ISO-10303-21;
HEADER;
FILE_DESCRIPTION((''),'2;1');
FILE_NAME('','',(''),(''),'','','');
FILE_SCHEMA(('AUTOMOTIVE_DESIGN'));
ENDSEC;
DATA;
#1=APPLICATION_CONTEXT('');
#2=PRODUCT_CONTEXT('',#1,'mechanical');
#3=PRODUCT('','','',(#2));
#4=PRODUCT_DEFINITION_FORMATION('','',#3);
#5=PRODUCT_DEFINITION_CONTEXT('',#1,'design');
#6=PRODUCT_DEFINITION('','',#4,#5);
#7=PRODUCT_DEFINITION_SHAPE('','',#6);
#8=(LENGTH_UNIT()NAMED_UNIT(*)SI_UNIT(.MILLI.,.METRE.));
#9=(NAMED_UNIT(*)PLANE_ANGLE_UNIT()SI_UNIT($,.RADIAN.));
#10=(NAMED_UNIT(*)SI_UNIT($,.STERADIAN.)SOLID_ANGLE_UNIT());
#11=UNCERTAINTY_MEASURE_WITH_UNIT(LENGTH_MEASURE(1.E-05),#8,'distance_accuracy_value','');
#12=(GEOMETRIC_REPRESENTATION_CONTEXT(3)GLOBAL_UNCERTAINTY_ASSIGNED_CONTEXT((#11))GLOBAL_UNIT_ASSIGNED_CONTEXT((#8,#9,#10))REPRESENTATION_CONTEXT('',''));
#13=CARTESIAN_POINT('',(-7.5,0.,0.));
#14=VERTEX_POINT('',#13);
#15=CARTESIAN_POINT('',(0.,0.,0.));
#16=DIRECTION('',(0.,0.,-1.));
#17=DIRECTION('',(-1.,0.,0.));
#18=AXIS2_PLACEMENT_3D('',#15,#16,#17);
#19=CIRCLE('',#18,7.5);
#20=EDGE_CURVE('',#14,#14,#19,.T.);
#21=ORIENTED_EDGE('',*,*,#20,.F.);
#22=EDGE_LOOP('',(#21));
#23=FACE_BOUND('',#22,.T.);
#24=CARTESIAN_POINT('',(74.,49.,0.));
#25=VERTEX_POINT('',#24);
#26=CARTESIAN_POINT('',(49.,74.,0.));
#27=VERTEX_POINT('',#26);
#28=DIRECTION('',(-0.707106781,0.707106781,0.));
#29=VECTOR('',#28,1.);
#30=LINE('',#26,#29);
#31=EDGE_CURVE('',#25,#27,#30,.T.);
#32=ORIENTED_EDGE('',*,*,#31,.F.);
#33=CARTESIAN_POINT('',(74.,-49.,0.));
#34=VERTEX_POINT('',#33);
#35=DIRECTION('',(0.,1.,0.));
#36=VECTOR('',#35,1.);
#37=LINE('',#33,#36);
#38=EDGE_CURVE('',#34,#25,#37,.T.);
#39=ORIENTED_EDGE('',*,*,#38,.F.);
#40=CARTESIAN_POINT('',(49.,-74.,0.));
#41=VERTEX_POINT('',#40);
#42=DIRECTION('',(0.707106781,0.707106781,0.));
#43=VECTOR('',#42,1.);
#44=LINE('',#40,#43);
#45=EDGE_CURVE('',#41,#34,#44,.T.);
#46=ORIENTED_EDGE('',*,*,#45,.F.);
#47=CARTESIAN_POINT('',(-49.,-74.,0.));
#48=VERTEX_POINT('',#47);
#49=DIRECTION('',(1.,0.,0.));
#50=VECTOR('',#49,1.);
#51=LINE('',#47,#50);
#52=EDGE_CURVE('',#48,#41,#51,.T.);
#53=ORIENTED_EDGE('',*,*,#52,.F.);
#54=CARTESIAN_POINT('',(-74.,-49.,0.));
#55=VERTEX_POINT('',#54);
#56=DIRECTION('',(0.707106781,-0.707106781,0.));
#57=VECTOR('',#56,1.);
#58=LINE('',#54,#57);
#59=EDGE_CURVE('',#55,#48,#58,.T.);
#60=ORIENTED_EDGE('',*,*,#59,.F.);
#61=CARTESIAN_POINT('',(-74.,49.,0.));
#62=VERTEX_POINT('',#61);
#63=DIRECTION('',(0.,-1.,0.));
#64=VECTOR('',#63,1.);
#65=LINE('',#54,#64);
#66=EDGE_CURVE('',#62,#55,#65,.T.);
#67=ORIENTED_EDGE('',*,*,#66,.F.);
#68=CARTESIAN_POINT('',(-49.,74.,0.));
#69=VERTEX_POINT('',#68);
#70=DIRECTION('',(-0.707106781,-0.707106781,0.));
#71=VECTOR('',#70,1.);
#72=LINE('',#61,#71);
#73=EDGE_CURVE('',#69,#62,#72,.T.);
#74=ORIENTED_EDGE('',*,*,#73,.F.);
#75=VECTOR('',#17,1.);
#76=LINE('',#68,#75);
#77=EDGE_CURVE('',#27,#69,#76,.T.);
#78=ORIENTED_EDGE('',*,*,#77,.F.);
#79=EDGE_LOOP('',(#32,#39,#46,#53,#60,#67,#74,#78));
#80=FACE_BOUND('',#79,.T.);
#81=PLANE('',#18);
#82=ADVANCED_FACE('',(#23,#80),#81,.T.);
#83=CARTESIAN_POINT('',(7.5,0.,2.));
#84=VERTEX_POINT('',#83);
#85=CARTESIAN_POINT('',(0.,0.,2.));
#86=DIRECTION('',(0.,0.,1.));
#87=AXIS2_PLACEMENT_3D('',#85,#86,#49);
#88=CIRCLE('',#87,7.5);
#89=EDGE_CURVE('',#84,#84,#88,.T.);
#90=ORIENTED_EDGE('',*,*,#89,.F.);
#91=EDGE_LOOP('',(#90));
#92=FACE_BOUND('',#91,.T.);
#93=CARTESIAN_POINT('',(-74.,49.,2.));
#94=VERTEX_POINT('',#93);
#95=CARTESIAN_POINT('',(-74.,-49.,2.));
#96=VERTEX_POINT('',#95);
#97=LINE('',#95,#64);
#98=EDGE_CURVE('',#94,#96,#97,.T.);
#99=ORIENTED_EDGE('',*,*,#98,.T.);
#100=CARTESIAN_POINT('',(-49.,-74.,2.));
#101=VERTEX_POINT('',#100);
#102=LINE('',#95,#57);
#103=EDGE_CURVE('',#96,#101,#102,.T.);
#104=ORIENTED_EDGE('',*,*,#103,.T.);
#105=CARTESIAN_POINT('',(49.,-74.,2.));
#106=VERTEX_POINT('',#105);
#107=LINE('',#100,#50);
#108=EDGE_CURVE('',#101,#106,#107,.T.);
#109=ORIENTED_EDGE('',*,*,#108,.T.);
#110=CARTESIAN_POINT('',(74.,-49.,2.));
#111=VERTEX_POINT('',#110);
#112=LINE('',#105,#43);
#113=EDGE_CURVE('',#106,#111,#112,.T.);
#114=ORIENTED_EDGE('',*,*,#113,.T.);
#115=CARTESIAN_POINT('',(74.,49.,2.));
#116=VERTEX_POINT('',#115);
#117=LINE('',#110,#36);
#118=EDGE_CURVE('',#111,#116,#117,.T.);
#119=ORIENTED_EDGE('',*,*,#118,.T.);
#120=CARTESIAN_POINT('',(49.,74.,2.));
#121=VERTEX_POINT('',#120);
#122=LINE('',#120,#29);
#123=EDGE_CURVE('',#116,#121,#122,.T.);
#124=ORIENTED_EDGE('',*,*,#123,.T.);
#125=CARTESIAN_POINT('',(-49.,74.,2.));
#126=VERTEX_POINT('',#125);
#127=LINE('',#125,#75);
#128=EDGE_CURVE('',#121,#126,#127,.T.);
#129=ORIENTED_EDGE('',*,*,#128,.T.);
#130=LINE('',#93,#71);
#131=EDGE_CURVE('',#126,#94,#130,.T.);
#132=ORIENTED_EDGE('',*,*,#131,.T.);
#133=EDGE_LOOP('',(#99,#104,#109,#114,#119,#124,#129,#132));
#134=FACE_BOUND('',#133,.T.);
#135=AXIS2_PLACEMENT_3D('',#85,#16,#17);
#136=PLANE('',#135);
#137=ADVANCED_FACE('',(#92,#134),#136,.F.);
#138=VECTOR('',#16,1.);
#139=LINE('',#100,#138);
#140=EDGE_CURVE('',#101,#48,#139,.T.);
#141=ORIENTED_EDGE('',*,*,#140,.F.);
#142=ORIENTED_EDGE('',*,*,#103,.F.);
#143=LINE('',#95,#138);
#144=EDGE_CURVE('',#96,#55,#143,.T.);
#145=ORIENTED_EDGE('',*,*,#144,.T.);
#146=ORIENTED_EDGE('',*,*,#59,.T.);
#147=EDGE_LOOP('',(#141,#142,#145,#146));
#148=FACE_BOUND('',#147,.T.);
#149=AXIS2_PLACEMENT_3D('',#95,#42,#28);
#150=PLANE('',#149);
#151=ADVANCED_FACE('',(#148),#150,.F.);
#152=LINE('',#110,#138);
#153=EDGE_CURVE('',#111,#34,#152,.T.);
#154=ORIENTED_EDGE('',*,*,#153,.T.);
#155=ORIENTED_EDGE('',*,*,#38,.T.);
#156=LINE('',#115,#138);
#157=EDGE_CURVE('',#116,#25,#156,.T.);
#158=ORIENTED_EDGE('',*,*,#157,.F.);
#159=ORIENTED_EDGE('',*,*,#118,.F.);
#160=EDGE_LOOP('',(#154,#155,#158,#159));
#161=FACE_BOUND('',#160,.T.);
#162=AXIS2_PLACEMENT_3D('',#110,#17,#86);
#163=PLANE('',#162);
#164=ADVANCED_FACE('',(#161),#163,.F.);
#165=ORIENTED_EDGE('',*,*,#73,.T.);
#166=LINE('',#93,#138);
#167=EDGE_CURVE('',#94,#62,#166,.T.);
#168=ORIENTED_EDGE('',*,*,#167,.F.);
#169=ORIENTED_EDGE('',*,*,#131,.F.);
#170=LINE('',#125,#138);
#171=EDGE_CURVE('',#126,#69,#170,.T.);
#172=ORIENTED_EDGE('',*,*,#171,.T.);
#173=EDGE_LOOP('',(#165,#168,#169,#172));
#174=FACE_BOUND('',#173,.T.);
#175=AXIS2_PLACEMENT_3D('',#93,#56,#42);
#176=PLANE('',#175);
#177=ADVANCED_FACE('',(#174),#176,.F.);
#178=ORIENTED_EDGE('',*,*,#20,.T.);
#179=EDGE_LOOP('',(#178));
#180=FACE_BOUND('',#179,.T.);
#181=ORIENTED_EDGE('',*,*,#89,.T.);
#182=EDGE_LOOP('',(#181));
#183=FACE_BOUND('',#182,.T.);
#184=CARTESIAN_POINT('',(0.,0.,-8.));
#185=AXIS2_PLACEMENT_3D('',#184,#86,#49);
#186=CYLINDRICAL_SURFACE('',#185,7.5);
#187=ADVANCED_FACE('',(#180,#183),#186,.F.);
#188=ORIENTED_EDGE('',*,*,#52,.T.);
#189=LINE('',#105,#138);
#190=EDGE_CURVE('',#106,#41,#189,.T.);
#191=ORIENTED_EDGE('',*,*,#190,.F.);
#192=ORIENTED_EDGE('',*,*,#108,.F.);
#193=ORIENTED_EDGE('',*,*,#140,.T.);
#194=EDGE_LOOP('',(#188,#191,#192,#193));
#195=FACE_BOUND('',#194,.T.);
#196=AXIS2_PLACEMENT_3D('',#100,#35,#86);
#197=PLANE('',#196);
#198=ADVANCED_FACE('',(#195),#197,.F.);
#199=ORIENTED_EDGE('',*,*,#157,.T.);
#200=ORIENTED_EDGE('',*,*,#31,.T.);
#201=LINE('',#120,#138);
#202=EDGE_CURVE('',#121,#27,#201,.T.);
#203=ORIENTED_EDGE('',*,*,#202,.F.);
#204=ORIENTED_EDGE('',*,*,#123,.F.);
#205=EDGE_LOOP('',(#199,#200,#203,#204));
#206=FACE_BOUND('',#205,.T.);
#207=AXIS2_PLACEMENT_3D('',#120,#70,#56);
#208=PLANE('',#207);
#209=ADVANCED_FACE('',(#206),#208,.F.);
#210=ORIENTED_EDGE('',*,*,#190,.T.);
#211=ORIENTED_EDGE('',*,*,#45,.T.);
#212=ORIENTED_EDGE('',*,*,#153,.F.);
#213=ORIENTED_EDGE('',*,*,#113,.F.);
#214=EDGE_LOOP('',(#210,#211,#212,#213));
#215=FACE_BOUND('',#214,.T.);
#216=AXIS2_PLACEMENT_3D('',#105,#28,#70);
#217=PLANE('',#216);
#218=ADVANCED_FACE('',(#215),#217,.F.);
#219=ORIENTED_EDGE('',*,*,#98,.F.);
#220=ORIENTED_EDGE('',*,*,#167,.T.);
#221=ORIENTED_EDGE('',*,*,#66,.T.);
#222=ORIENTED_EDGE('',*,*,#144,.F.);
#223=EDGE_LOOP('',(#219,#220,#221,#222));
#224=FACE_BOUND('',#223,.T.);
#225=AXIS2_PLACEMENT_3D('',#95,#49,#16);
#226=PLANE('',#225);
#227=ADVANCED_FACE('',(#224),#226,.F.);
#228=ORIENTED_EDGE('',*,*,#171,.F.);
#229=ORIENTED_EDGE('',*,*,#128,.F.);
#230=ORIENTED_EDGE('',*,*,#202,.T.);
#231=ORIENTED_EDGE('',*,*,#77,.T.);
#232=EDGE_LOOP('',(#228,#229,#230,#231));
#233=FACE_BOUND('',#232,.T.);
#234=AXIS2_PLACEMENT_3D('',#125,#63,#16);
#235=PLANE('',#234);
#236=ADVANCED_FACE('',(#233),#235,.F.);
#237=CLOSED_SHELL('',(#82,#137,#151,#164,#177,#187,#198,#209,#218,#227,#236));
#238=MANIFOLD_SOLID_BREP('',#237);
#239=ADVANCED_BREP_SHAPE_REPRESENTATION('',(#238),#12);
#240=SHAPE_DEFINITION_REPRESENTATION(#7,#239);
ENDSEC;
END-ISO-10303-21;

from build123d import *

# Parameters (mm, degrees)
BOSS_EXTRUDE1_DEPTH = 2
SKETCH2_R           = 7.5
CUT_EXTRUDE1_DEPTH  = 10


with BuildPart() as part:
    # Sketch1 → Boss-Extrude1 (new body)
    with BuildSketch(Plane.XY):
        Polygon((-74, 49), (-49, 74), (49, 74), (74, 49), (74, -49), (49, -74), (-49, -74), (-74, -49), align=None)
    extrude(amount=BOSS_EXTRUDE1_DEPTH)

    # Sketch2 → Cut-Extrude1 (cut)
    with BuildSketch(Plane.XY.offset(2)):
        Circle(SKETCH2_R)
    extrude(amount=-CUT_EXTRUDE1_DEPTH, mode=Mode.SUBTRACT)


solid = part.part
